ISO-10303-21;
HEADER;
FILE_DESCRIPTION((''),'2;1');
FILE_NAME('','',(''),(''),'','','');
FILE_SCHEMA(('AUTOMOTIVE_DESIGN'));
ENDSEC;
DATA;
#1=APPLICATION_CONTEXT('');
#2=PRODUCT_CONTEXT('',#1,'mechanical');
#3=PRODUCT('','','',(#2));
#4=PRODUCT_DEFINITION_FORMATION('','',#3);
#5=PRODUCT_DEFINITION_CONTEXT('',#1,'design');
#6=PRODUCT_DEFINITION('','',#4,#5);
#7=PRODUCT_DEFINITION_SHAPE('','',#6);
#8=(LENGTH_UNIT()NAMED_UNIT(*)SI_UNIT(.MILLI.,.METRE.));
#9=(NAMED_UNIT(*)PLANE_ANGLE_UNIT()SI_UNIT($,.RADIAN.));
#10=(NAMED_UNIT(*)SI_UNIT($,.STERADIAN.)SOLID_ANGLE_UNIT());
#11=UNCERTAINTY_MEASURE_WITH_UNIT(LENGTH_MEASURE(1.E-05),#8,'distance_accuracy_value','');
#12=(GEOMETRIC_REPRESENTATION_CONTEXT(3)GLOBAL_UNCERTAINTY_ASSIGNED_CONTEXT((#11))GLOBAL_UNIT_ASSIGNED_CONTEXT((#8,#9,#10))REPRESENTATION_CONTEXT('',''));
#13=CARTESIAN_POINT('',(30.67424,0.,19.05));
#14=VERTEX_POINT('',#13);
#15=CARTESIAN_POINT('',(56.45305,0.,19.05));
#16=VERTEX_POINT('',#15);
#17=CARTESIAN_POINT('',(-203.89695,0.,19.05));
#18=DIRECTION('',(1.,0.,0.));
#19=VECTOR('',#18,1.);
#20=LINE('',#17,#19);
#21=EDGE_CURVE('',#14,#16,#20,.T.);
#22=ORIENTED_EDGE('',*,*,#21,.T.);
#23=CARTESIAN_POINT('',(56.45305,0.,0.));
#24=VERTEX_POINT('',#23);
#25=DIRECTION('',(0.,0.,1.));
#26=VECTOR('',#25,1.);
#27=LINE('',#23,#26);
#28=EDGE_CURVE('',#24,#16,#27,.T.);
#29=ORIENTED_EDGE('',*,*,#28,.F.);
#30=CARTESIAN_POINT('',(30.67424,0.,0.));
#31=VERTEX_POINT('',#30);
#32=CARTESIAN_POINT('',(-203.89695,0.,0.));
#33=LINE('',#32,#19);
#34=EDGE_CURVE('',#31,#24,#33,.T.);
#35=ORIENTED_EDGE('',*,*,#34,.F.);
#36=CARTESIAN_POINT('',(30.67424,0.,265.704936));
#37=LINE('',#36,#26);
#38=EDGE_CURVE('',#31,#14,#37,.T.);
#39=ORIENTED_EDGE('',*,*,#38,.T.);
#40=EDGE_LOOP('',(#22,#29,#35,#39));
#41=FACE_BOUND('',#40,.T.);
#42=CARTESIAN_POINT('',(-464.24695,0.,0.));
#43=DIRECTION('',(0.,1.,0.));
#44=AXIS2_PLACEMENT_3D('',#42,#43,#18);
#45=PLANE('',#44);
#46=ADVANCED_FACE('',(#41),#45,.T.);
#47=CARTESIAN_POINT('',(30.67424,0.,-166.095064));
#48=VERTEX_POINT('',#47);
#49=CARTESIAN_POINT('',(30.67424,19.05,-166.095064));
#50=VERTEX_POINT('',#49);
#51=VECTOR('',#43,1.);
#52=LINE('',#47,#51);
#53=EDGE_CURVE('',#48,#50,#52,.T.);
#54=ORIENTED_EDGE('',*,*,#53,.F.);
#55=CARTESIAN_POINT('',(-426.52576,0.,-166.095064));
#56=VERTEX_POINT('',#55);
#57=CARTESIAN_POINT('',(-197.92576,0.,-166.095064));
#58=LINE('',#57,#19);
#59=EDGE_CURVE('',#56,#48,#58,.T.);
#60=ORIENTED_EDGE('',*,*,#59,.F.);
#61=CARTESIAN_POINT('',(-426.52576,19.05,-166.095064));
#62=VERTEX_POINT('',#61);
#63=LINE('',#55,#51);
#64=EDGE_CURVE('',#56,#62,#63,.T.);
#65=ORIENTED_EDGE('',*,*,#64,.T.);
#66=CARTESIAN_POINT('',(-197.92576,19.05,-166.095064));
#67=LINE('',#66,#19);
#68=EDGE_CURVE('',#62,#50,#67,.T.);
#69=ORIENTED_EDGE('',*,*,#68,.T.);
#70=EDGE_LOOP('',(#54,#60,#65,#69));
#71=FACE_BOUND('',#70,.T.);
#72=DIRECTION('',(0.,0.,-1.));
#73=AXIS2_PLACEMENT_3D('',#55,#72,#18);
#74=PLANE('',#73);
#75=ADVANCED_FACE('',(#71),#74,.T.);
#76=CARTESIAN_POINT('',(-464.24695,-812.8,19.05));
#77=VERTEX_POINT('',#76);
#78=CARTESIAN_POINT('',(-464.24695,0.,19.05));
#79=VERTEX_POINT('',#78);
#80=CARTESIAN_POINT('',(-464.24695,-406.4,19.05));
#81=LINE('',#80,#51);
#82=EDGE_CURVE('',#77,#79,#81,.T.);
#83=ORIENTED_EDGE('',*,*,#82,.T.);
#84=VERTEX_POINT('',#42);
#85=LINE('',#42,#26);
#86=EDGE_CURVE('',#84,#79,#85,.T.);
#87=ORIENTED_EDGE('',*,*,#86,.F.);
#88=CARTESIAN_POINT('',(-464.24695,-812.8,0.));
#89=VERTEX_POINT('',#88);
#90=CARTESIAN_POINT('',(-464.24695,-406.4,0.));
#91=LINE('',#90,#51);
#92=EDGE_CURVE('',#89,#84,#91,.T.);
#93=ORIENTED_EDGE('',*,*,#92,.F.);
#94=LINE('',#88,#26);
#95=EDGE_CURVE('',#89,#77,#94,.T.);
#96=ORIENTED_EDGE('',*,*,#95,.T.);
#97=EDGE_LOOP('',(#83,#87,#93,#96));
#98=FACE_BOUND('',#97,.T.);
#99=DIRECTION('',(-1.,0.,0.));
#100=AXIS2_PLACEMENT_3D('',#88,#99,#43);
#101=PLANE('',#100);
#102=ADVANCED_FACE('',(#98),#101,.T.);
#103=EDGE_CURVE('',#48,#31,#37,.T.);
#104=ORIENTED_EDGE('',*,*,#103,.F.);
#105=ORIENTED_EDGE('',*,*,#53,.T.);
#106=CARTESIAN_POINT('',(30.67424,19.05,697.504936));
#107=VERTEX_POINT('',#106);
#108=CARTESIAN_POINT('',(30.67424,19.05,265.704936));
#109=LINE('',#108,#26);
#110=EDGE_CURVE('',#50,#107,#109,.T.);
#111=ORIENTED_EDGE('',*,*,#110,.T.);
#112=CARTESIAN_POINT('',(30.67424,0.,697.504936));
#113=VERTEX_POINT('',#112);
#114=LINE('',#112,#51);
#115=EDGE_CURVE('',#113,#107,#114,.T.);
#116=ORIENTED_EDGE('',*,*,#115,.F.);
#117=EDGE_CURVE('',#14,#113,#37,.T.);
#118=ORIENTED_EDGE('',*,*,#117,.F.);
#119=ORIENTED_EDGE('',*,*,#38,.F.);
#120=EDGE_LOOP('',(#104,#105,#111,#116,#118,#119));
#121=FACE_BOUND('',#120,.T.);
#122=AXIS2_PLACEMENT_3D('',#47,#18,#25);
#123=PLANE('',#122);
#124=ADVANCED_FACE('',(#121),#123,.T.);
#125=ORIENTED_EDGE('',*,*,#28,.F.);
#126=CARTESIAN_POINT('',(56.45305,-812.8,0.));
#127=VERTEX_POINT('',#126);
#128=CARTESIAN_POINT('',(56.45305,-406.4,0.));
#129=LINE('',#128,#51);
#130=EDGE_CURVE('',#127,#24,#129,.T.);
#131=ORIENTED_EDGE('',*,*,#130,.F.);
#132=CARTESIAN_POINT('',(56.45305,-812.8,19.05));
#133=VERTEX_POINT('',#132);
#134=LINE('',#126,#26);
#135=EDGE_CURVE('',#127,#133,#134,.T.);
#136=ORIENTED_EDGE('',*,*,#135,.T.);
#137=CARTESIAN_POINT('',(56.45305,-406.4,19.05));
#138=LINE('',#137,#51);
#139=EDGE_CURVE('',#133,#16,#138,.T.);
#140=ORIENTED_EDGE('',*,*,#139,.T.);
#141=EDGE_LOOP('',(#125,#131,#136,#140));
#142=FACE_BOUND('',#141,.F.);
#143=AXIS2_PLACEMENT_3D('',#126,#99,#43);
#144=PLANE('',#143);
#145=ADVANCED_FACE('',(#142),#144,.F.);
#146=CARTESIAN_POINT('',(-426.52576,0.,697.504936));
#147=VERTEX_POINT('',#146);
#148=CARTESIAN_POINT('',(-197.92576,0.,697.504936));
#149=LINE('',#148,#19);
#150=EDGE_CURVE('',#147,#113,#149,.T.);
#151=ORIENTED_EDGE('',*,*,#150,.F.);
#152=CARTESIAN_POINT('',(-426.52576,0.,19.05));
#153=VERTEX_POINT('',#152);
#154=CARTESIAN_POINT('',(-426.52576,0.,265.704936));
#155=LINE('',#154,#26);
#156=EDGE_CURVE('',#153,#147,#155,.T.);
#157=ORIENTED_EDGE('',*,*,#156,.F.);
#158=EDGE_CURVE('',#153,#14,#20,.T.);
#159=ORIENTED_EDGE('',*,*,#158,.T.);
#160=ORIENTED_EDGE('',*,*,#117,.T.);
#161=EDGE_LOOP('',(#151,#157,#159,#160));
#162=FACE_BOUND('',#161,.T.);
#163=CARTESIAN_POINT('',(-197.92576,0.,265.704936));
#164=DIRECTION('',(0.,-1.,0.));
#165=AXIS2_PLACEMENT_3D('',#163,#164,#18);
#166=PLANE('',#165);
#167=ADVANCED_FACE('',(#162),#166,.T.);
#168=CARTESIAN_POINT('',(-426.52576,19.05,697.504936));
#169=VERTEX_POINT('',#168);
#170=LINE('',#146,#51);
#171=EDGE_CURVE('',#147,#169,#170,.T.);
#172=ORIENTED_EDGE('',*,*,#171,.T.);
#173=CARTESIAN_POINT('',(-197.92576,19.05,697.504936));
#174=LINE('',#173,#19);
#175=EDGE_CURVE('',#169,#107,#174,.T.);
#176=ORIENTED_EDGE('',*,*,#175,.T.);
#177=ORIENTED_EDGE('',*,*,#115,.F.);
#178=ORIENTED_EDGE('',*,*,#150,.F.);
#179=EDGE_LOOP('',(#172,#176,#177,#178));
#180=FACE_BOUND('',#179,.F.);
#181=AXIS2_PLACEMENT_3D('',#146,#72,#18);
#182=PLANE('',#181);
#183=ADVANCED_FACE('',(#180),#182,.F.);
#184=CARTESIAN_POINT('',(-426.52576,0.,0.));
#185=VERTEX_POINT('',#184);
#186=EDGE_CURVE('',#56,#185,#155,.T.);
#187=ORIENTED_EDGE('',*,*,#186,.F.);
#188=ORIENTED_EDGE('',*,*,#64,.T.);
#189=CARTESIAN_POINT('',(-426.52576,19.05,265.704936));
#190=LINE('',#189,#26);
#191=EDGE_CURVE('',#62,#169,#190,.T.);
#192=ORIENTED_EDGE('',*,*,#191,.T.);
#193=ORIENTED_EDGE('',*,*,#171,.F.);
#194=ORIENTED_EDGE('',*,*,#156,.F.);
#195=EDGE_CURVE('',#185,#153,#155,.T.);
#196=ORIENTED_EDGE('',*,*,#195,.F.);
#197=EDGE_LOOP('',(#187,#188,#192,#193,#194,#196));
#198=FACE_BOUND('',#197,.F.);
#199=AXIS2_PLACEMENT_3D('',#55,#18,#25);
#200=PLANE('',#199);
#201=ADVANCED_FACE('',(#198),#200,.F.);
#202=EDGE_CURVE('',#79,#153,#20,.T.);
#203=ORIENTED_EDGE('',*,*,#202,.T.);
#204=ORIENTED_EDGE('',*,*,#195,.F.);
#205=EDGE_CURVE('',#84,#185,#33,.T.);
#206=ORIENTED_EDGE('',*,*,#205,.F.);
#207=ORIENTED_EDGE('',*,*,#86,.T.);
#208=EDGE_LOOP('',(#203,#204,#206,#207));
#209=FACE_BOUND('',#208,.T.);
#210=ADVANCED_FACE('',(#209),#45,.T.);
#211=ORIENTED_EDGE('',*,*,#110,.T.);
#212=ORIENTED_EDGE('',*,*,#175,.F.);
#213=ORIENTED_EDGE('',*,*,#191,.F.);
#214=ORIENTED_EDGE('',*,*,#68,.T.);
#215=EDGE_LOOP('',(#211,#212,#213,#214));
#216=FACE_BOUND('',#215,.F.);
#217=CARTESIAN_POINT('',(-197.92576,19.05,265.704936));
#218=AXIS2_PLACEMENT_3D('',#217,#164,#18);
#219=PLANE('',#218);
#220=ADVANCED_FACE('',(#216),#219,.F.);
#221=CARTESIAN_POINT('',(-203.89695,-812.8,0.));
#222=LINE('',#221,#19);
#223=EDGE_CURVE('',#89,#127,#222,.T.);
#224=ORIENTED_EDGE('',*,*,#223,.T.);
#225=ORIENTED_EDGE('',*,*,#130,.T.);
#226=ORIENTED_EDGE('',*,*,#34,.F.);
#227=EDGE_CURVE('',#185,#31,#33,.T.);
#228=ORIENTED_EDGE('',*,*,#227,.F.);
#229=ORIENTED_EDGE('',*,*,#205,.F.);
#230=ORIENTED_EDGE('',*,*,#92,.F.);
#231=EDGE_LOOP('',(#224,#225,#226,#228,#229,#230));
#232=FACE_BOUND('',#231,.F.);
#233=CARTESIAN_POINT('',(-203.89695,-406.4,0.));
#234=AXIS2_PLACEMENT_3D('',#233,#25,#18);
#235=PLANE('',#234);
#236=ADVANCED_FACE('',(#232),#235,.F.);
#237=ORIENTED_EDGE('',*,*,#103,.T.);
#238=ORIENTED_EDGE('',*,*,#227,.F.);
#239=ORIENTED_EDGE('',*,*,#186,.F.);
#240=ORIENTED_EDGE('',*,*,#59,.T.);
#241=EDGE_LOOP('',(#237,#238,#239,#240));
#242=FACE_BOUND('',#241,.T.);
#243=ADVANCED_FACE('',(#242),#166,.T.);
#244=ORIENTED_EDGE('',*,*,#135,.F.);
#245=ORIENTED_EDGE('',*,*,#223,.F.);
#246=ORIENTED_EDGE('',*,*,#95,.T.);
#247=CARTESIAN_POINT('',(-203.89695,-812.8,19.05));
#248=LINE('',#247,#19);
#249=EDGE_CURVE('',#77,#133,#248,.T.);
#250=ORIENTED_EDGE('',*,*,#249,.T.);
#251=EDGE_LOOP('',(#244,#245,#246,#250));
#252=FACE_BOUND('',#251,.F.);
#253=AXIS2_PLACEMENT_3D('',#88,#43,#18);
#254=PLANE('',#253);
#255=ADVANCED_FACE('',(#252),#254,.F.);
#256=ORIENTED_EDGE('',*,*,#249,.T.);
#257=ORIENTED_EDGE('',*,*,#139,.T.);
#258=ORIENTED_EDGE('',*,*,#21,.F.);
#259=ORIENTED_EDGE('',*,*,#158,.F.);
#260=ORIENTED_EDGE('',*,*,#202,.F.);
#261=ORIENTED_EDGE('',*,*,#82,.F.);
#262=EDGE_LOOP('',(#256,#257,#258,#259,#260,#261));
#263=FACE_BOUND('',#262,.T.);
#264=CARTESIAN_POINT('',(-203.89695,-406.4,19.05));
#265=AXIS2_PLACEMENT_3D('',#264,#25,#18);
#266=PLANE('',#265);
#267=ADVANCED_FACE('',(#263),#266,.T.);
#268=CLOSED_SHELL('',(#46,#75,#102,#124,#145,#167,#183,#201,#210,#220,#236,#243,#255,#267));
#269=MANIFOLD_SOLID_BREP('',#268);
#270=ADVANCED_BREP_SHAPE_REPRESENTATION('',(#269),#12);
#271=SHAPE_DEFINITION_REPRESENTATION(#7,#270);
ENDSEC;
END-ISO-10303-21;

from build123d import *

# Parameters (mm, degrees)
F0_W     = 520.7
F0_H     = 812.8
F1_DEPTH = 19.05
F2_W     = 457.2
F2_H     = 863.6
F3_DEPTH = 19.05


with BuildPart() as f1:
    # F0 (on Top) → F1 (new body)
    with BuildSketch(Plane.XY):
        with Locations((-203.89695, -406.4)):
            Rectangle(F0_W, F0_H)
    extrude(amount=F1_DEPTH)

    # F2 (on Front) → F3 (join)
    with BuildSketch(Plane.XZ):
        with Locations((-197.92576, 265.704936)):
            Rectangle(F2_W, F2_H)
    extrude(amount=-F3_DEPTH)


solid = f1.part
